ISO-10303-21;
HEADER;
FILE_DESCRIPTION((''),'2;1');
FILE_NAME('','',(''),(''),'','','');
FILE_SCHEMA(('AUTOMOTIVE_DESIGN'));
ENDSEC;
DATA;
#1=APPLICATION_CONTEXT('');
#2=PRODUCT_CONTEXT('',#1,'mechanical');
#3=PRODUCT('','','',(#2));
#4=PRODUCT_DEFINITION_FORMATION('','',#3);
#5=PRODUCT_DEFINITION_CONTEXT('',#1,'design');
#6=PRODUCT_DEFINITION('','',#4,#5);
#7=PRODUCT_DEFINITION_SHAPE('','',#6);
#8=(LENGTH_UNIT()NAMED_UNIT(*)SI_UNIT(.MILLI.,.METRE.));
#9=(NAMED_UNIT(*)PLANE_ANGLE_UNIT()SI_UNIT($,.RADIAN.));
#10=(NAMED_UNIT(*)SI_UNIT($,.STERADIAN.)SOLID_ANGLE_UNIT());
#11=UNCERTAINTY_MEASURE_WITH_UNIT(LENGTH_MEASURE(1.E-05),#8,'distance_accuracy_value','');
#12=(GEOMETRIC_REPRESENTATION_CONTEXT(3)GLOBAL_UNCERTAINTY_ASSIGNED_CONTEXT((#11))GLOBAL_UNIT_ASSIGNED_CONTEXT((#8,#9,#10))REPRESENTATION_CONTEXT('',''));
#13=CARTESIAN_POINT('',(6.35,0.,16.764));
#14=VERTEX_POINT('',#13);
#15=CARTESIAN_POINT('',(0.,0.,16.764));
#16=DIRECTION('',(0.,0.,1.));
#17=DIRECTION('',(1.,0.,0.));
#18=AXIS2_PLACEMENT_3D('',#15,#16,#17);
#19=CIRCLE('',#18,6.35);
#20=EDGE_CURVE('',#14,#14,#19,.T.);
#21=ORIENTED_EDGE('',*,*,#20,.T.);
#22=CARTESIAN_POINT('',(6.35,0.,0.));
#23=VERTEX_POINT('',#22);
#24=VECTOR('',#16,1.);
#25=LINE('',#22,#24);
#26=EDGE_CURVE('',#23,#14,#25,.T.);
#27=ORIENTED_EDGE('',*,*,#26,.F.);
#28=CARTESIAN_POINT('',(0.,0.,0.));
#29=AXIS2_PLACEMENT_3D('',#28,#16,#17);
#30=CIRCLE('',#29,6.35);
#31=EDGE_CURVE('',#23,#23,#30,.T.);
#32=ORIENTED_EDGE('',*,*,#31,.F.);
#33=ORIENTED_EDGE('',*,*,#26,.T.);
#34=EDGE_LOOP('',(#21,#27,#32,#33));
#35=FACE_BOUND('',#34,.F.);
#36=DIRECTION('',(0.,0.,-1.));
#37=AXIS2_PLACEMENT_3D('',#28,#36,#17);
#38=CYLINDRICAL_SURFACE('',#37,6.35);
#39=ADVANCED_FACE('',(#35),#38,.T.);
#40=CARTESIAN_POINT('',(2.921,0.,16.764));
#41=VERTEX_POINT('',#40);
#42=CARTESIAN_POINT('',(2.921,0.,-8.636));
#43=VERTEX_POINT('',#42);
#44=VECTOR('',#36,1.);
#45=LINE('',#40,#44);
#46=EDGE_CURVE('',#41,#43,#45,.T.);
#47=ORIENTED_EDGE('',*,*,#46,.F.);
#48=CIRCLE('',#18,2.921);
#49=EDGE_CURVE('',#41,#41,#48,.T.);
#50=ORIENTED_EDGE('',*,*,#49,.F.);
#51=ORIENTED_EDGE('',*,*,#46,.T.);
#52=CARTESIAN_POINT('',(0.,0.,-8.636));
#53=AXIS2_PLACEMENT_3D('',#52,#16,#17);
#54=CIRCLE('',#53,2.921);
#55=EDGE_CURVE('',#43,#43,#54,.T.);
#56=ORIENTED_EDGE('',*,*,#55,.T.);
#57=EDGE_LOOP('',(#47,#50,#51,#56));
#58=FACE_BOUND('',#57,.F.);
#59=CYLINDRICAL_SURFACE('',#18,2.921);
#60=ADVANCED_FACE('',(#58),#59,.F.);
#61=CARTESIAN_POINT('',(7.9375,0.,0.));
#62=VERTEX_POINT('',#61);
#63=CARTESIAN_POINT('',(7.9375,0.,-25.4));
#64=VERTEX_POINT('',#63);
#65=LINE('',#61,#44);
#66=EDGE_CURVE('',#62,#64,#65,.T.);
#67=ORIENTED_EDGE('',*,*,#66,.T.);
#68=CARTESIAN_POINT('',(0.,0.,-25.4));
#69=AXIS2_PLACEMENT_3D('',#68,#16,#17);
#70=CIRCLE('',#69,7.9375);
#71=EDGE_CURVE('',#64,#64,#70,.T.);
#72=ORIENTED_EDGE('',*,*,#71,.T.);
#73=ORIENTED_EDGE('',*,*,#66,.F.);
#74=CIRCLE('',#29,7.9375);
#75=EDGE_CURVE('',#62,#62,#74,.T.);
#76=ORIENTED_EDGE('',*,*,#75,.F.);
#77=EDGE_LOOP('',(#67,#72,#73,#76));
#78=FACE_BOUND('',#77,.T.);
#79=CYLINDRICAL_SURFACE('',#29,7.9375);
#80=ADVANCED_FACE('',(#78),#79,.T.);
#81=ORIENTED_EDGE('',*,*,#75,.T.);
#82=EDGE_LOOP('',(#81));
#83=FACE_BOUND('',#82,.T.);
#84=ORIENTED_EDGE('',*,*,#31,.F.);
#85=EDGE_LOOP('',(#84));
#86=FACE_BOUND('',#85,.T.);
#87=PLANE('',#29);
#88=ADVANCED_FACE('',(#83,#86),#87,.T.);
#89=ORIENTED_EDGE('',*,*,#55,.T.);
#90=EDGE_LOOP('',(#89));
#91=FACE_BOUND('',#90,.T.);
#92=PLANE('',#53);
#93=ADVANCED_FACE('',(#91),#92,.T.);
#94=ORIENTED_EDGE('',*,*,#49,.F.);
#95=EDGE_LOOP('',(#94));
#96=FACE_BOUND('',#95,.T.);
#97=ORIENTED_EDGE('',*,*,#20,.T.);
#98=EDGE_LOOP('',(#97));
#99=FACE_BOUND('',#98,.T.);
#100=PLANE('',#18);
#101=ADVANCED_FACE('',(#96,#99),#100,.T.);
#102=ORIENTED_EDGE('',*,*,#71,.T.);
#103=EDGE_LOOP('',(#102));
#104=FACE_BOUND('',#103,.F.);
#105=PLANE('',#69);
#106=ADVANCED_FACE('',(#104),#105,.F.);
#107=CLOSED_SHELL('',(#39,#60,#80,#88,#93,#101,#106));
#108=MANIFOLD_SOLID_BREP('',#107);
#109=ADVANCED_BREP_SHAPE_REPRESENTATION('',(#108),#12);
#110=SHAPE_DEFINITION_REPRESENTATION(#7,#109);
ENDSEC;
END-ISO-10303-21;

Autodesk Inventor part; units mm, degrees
ref_plane "YZ Plane" through (0, 0, 0) normal (1, 0, 0) x (0, 1, 0)
ref_plane "XZ Plane" through (0, 0, 0) normal (0, 1, 0) x (-1, 0, 0)
ref_plane "XY Plane" through (0, 0, 0) normal (0, 0, 1) x (1, 0, 0)
sketch "Sketch1" plane through (0, 0, 0) normal (0, 0, 1) x (1, 0, 0)
  circle A0 centre (0, 0) radius 7.9375
  circle A1 centre (0, 0) radius 6.35
  dimension "d0" = 15.875
  dimension "d1" = 12.7
extrude "Extrusion1" add sketch "Sketch1" against normal blind 25.4 contours A0 | A1
extrude "Extrusion2" add sketch "Sketch1" along normal blind 16.764 contours A1
thread "Thread1" size "1/2-20 UNF" class "2A" standard "ANSI Unified Screw Threads" full length
sketch "Sketch2" plane through (0, 0, 16.764) normal (0, 0, 1) x (1, 0, 0)
  circle A0 centre (0, 0) radius 6.35 projected
  circle A1 centre (0, 0) radius 2.921
  dimension "d8" = 5.842
extrude "Extrusion3" cut sketch "Sketch2" against normal blind 25.4 contours A1
thread "Thread2" size "1/4-20 UNC" class "2B" standard "ANSI Unified Screw Threads" full length
properties part number "PDewalt Drill Shaft .5in"
